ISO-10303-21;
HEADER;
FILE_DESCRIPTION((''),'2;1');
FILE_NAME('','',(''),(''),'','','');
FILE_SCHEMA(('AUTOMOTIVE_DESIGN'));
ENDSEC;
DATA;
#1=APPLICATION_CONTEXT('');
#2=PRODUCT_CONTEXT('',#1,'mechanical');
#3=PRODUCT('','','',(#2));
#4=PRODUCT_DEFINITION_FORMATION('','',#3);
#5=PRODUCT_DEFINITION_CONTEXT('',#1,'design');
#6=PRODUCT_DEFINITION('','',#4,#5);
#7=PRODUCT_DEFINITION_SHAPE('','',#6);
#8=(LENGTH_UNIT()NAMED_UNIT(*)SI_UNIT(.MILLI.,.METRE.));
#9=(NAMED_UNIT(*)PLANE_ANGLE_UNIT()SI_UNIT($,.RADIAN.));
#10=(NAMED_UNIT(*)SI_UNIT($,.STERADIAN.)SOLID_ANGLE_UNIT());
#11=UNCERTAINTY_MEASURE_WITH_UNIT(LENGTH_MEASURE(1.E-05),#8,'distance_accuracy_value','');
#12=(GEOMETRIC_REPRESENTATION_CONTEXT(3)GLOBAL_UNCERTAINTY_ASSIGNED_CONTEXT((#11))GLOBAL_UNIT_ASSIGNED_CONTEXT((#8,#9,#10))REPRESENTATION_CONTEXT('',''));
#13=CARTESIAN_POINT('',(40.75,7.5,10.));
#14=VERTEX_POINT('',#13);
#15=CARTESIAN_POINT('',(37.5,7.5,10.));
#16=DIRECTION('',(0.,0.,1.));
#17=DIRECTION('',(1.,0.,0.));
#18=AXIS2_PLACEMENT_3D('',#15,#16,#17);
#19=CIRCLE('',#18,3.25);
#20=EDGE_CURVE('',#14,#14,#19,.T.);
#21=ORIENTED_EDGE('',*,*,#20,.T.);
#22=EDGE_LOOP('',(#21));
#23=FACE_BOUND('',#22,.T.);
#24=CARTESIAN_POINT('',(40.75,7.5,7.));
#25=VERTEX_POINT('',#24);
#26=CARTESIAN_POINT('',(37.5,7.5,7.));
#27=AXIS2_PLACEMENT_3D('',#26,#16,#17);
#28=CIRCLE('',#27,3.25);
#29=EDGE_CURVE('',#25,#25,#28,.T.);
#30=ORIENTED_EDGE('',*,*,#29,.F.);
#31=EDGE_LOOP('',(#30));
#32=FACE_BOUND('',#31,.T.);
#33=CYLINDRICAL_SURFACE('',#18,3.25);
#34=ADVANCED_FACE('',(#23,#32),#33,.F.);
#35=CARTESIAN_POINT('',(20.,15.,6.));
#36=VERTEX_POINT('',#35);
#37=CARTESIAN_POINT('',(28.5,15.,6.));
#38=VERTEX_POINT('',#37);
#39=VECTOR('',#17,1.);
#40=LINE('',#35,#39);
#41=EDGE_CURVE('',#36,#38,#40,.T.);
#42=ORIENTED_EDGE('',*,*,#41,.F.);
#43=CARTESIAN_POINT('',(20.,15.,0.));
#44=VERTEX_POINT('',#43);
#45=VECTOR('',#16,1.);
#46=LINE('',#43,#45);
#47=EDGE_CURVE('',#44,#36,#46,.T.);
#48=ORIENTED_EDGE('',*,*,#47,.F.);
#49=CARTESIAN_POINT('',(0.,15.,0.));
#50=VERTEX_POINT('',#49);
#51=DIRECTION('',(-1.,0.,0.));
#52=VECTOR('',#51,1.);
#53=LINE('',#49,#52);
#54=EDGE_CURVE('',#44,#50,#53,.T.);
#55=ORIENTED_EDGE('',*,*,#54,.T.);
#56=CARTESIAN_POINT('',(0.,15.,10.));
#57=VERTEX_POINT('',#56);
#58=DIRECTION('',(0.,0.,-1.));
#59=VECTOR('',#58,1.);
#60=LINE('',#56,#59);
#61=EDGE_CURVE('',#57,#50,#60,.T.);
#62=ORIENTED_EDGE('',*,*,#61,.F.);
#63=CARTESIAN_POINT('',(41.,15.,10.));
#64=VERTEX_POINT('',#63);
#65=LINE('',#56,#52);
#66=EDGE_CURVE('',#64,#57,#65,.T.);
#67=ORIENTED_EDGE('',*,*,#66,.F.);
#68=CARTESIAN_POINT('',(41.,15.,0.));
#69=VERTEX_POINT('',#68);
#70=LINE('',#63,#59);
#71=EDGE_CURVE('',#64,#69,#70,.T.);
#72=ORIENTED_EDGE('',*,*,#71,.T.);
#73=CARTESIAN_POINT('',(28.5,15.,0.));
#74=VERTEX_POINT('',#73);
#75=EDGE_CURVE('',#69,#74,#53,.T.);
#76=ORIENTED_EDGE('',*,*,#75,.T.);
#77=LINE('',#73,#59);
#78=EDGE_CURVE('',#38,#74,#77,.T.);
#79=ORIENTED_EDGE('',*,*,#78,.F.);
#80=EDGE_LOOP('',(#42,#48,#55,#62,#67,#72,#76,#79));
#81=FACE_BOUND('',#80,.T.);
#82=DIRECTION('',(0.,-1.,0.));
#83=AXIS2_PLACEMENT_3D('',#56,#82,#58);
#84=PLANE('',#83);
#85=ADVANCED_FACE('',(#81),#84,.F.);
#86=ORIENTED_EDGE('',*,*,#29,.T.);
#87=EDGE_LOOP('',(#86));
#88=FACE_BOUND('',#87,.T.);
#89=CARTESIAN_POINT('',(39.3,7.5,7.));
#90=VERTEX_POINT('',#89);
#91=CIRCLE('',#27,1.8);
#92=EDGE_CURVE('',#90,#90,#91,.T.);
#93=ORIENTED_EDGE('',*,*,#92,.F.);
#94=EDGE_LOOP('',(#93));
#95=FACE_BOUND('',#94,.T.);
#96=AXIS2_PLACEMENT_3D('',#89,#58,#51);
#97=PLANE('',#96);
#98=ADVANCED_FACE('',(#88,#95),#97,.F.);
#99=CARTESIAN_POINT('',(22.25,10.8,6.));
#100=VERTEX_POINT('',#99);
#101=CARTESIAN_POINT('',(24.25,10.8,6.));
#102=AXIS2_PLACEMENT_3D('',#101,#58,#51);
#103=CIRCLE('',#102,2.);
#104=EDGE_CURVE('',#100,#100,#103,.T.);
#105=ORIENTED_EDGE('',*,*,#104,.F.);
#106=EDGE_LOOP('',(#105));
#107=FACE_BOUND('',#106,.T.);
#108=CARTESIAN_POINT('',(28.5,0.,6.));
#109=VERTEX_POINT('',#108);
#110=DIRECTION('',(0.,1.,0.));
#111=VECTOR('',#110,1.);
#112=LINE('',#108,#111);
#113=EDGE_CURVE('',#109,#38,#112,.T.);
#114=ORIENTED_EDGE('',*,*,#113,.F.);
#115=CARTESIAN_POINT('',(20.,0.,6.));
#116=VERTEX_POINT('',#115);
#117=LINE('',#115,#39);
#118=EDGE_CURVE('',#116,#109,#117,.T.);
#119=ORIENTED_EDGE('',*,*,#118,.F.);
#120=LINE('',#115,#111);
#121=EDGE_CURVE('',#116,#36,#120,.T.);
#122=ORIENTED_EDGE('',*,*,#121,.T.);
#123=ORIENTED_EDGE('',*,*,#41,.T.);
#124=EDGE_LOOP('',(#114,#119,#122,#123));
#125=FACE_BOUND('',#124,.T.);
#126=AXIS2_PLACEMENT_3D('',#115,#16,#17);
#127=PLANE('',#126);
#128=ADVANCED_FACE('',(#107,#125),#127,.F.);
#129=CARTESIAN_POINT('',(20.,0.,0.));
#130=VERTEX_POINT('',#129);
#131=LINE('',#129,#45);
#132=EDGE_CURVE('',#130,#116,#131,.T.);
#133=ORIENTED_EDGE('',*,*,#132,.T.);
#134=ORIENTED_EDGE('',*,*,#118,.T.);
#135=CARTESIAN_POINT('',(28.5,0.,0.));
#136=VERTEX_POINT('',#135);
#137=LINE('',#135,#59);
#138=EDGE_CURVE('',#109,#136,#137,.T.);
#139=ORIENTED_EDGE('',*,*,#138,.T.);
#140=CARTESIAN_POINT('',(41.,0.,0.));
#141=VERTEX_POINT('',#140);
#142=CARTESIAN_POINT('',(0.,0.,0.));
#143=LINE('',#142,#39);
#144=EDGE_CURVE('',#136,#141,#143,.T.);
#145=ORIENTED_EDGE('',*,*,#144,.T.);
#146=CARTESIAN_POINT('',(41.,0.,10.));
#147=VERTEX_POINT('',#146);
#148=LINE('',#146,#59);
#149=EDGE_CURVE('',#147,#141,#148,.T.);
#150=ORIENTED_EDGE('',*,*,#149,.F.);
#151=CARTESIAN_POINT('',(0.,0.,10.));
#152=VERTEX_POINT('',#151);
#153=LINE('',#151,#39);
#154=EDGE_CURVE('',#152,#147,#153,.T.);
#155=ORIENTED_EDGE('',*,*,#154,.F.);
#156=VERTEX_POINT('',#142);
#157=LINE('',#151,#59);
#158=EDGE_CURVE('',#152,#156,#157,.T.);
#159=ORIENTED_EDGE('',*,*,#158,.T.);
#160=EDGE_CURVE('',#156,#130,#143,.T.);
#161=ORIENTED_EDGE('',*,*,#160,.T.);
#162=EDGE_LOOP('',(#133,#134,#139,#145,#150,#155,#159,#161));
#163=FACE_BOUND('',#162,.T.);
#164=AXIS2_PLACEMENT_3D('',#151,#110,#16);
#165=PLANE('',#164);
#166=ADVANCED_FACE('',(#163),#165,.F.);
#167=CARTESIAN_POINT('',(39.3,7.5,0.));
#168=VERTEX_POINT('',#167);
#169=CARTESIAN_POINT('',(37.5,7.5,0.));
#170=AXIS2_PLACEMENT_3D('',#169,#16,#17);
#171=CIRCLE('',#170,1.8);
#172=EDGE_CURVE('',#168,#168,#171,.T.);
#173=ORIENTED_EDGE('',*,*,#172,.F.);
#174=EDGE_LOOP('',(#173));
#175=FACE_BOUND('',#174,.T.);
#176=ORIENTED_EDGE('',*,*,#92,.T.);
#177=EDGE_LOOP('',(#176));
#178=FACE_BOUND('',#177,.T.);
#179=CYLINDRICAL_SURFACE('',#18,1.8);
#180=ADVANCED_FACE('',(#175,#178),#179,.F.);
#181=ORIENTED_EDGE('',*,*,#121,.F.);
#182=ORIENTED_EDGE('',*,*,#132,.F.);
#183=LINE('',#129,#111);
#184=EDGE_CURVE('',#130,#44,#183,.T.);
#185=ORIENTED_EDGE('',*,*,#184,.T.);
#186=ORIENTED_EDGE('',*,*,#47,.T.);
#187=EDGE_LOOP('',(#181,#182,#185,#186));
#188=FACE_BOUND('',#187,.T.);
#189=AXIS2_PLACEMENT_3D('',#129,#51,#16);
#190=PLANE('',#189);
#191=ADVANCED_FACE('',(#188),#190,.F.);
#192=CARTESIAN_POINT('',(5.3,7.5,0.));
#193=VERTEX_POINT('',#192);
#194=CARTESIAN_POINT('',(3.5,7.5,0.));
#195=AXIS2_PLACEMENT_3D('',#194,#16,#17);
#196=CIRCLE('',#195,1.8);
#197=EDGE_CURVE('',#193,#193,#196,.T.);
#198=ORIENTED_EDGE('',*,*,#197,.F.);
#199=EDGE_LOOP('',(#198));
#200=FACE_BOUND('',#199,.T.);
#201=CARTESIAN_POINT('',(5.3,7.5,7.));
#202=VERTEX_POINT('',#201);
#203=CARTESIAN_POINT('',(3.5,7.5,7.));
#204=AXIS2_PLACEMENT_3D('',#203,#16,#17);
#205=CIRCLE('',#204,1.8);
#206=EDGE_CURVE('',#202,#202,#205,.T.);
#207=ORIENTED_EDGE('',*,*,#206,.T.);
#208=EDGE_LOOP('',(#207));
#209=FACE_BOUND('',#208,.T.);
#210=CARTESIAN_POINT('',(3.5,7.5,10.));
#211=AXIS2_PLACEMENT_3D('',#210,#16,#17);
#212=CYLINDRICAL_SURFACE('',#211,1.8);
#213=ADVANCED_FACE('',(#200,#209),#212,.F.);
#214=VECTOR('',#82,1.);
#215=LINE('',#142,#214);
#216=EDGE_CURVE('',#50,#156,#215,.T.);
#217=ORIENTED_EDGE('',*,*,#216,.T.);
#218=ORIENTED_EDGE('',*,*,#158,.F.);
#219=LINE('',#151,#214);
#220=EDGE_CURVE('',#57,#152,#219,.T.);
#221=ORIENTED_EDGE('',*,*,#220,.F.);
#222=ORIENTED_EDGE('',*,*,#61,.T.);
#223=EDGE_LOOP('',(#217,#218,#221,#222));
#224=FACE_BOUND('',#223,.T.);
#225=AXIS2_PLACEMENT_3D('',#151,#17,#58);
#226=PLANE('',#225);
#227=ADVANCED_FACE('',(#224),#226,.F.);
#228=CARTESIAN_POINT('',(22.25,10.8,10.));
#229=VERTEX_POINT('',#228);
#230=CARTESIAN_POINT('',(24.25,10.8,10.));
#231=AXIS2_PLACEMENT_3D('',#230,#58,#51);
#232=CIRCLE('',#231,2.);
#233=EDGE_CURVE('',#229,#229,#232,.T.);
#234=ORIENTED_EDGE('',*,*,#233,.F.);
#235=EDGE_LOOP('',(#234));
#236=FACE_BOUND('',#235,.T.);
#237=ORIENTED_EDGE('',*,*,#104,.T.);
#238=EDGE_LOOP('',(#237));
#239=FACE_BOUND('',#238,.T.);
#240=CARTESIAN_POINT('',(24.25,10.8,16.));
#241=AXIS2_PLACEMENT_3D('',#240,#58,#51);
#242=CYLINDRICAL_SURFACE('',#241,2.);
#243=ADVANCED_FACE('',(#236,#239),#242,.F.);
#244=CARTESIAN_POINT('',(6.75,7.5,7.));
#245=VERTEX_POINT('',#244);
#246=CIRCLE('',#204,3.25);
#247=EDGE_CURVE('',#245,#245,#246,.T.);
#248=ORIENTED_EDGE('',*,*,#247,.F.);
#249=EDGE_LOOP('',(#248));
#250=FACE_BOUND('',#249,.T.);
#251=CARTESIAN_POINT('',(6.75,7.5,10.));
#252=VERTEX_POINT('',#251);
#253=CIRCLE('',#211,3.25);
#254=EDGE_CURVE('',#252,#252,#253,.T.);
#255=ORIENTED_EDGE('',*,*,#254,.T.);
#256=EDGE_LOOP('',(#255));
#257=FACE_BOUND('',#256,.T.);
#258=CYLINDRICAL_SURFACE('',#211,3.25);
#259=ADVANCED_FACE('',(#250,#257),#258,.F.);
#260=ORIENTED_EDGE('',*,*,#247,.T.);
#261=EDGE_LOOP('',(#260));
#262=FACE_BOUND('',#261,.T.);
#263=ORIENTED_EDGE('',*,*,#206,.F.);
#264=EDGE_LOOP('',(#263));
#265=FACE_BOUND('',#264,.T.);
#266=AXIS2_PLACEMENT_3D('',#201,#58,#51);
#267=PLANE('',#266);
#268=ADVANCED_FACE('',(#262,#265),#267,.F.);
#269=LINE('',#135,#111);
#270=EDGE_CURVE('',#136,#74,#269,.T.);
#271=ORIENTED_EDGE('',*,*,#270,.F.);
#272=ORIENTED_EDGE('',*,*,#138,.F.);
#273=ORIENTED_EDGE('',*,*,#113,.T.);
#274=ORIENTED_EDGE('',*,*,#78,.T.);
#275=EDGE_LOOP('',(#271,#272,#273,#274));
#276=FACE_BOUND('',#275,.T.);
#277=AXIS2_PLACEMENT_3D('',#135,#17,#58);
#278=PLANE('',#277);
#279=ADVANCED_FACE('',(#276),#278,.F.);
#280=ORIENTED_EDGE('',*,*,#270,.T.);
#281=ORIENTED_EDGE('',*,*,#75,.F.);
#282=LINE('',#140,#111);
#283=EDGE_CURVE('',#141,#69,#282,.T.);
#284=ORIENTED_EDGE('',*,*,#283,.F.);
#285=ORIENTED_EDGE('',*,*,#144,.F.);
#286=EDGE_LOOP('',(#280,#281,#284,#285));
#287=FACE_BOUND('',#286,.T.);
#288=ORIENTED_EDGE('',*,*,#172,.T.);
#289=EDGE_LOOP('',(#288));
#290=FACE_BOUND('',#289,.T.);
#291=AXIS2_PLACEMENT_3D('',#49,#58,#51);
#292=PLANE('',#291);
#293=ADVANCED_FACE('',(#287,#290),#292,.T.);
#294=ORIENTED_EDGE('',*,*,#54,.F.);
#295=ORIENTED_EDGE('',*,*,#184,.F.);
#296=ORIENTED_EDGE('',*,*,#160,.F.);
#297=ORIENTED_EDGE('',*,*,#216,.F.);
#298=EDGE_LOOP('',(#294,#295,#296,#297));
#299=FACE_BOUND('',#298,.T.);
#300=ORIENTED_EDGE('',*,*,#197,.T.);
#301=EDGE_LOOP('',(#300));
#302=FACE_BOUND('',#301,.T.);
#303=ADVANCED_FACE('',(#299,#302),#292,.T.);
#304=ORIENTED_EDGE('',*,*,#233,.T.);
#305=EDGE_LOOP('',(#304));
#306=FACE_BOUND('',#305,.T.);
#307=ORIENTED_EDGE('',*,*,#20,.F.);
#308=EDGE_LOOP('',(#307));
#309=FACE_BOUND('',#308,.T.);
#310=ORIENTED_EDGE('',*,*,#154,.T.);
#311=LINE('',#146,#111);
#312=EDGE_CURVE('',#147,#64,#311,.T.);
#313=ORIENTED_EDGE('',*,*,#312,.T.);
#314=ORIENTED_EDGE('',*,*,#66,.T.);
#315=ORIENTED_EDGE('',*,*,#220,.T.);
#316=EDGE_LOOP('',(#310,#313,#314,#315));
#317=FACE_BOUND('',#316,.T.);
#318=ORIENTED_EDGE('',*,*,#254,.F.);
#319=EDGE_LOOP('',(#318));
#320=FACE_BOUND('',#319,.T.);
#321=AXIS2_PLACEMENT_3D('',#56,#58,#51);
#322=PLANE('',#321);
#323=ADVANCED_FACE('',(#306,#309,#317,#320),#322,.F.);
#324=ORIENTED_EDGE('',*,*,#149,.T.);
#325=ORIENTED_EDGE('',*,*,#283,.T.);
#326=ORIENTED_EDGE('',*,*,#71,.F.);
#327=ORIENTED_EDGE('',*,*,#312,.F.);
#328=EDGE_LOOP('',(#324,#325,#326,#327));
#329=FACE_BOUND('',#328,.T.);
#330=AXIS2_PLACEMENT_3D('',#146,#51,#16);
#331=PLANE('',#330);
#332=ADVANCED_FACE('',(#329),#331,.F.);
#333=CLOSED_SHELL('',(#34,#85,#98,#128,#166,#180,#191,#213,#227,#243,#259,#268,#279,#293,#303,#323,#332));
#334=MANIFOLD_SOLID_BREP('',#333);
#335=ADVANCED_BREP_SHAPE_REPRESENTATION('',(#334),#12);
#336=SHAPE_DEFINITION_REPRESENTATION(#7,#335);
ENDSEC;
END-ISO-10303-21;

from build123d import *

# Parameters (mm, degrees)
SKETCH_1_W                   = 41
SKETCH_1_H                   = 15
EXTRUDE_1_DEPTH              = 10
HOLE_WIZARD_M3_1_D           = 3.6
HOLE_WIZARD_M3_1_CBORE_D     = 6.5
HOLE_WIZARD_M3_1_CBORE_DEPTH = 3
SKETCH_4_W                   = 8.5
SKETCH_4_H                   = 6
CUT_EXTRUDE_1_DEPTH          = 45.788391353
SKETCH_5_R                   = 2
CUT_EXTRUDE_2_DEPTH          = 10


with BuildPart() as part:
    # 草图1 → 凸台-拉伸1 (new body)
    with BuildSketch(Plane.XY):
        with Locations((20.5, 7.5)):
            Rectangle(SKETCH_1_W, SKETCH_1_H)
    extrude(amount=EXTRUDE_1_DEPTH)

    # M3 六角凹头螺钉的柱形沉头孔1 (through all)
    with Locations(Plane.XY.offset(10)):
        with Locations((3.5, 7.5), (37.5, 7.5)):
            CounterBoreHole(HOLE_WIZARD_M3_1_D / 2, HOLE_WIZARD_M3_1_CBORE_D / 2, HOLE_WIZARD_M3_1_CBORE_DEPTH)

    # 草图4 → 切除-拉伸1 (cut, through all)
    with BuildSketch(Plane(origin=(0, 15, 0), x_dir=(1, 0, 0), z_dir=(0, 1, 0))):
        with Locations((24.25, -3)):
            Rectangle(SKETCH_4_W, SKETCH_4_H)
    extrude(amount=-CUT_EXTRUDE_1_DEPTH, mode=Mode.SUBTRACT)

    # 草图5 → 切除-拉伸2 (cut)
    with BuildSketch(Plane(origin=(0, 0, 6), x_dir=(-1, 0, 0), z_dir=(0, 0, -1))):
        with Locations((-24.25, 10.8)):
            Circle(SKETCH_5_R)
    extrude(amount=-CUT_EXTRUDE_2_DEPTH, mode=Mode.SUBTRACT)


solid = part.part
